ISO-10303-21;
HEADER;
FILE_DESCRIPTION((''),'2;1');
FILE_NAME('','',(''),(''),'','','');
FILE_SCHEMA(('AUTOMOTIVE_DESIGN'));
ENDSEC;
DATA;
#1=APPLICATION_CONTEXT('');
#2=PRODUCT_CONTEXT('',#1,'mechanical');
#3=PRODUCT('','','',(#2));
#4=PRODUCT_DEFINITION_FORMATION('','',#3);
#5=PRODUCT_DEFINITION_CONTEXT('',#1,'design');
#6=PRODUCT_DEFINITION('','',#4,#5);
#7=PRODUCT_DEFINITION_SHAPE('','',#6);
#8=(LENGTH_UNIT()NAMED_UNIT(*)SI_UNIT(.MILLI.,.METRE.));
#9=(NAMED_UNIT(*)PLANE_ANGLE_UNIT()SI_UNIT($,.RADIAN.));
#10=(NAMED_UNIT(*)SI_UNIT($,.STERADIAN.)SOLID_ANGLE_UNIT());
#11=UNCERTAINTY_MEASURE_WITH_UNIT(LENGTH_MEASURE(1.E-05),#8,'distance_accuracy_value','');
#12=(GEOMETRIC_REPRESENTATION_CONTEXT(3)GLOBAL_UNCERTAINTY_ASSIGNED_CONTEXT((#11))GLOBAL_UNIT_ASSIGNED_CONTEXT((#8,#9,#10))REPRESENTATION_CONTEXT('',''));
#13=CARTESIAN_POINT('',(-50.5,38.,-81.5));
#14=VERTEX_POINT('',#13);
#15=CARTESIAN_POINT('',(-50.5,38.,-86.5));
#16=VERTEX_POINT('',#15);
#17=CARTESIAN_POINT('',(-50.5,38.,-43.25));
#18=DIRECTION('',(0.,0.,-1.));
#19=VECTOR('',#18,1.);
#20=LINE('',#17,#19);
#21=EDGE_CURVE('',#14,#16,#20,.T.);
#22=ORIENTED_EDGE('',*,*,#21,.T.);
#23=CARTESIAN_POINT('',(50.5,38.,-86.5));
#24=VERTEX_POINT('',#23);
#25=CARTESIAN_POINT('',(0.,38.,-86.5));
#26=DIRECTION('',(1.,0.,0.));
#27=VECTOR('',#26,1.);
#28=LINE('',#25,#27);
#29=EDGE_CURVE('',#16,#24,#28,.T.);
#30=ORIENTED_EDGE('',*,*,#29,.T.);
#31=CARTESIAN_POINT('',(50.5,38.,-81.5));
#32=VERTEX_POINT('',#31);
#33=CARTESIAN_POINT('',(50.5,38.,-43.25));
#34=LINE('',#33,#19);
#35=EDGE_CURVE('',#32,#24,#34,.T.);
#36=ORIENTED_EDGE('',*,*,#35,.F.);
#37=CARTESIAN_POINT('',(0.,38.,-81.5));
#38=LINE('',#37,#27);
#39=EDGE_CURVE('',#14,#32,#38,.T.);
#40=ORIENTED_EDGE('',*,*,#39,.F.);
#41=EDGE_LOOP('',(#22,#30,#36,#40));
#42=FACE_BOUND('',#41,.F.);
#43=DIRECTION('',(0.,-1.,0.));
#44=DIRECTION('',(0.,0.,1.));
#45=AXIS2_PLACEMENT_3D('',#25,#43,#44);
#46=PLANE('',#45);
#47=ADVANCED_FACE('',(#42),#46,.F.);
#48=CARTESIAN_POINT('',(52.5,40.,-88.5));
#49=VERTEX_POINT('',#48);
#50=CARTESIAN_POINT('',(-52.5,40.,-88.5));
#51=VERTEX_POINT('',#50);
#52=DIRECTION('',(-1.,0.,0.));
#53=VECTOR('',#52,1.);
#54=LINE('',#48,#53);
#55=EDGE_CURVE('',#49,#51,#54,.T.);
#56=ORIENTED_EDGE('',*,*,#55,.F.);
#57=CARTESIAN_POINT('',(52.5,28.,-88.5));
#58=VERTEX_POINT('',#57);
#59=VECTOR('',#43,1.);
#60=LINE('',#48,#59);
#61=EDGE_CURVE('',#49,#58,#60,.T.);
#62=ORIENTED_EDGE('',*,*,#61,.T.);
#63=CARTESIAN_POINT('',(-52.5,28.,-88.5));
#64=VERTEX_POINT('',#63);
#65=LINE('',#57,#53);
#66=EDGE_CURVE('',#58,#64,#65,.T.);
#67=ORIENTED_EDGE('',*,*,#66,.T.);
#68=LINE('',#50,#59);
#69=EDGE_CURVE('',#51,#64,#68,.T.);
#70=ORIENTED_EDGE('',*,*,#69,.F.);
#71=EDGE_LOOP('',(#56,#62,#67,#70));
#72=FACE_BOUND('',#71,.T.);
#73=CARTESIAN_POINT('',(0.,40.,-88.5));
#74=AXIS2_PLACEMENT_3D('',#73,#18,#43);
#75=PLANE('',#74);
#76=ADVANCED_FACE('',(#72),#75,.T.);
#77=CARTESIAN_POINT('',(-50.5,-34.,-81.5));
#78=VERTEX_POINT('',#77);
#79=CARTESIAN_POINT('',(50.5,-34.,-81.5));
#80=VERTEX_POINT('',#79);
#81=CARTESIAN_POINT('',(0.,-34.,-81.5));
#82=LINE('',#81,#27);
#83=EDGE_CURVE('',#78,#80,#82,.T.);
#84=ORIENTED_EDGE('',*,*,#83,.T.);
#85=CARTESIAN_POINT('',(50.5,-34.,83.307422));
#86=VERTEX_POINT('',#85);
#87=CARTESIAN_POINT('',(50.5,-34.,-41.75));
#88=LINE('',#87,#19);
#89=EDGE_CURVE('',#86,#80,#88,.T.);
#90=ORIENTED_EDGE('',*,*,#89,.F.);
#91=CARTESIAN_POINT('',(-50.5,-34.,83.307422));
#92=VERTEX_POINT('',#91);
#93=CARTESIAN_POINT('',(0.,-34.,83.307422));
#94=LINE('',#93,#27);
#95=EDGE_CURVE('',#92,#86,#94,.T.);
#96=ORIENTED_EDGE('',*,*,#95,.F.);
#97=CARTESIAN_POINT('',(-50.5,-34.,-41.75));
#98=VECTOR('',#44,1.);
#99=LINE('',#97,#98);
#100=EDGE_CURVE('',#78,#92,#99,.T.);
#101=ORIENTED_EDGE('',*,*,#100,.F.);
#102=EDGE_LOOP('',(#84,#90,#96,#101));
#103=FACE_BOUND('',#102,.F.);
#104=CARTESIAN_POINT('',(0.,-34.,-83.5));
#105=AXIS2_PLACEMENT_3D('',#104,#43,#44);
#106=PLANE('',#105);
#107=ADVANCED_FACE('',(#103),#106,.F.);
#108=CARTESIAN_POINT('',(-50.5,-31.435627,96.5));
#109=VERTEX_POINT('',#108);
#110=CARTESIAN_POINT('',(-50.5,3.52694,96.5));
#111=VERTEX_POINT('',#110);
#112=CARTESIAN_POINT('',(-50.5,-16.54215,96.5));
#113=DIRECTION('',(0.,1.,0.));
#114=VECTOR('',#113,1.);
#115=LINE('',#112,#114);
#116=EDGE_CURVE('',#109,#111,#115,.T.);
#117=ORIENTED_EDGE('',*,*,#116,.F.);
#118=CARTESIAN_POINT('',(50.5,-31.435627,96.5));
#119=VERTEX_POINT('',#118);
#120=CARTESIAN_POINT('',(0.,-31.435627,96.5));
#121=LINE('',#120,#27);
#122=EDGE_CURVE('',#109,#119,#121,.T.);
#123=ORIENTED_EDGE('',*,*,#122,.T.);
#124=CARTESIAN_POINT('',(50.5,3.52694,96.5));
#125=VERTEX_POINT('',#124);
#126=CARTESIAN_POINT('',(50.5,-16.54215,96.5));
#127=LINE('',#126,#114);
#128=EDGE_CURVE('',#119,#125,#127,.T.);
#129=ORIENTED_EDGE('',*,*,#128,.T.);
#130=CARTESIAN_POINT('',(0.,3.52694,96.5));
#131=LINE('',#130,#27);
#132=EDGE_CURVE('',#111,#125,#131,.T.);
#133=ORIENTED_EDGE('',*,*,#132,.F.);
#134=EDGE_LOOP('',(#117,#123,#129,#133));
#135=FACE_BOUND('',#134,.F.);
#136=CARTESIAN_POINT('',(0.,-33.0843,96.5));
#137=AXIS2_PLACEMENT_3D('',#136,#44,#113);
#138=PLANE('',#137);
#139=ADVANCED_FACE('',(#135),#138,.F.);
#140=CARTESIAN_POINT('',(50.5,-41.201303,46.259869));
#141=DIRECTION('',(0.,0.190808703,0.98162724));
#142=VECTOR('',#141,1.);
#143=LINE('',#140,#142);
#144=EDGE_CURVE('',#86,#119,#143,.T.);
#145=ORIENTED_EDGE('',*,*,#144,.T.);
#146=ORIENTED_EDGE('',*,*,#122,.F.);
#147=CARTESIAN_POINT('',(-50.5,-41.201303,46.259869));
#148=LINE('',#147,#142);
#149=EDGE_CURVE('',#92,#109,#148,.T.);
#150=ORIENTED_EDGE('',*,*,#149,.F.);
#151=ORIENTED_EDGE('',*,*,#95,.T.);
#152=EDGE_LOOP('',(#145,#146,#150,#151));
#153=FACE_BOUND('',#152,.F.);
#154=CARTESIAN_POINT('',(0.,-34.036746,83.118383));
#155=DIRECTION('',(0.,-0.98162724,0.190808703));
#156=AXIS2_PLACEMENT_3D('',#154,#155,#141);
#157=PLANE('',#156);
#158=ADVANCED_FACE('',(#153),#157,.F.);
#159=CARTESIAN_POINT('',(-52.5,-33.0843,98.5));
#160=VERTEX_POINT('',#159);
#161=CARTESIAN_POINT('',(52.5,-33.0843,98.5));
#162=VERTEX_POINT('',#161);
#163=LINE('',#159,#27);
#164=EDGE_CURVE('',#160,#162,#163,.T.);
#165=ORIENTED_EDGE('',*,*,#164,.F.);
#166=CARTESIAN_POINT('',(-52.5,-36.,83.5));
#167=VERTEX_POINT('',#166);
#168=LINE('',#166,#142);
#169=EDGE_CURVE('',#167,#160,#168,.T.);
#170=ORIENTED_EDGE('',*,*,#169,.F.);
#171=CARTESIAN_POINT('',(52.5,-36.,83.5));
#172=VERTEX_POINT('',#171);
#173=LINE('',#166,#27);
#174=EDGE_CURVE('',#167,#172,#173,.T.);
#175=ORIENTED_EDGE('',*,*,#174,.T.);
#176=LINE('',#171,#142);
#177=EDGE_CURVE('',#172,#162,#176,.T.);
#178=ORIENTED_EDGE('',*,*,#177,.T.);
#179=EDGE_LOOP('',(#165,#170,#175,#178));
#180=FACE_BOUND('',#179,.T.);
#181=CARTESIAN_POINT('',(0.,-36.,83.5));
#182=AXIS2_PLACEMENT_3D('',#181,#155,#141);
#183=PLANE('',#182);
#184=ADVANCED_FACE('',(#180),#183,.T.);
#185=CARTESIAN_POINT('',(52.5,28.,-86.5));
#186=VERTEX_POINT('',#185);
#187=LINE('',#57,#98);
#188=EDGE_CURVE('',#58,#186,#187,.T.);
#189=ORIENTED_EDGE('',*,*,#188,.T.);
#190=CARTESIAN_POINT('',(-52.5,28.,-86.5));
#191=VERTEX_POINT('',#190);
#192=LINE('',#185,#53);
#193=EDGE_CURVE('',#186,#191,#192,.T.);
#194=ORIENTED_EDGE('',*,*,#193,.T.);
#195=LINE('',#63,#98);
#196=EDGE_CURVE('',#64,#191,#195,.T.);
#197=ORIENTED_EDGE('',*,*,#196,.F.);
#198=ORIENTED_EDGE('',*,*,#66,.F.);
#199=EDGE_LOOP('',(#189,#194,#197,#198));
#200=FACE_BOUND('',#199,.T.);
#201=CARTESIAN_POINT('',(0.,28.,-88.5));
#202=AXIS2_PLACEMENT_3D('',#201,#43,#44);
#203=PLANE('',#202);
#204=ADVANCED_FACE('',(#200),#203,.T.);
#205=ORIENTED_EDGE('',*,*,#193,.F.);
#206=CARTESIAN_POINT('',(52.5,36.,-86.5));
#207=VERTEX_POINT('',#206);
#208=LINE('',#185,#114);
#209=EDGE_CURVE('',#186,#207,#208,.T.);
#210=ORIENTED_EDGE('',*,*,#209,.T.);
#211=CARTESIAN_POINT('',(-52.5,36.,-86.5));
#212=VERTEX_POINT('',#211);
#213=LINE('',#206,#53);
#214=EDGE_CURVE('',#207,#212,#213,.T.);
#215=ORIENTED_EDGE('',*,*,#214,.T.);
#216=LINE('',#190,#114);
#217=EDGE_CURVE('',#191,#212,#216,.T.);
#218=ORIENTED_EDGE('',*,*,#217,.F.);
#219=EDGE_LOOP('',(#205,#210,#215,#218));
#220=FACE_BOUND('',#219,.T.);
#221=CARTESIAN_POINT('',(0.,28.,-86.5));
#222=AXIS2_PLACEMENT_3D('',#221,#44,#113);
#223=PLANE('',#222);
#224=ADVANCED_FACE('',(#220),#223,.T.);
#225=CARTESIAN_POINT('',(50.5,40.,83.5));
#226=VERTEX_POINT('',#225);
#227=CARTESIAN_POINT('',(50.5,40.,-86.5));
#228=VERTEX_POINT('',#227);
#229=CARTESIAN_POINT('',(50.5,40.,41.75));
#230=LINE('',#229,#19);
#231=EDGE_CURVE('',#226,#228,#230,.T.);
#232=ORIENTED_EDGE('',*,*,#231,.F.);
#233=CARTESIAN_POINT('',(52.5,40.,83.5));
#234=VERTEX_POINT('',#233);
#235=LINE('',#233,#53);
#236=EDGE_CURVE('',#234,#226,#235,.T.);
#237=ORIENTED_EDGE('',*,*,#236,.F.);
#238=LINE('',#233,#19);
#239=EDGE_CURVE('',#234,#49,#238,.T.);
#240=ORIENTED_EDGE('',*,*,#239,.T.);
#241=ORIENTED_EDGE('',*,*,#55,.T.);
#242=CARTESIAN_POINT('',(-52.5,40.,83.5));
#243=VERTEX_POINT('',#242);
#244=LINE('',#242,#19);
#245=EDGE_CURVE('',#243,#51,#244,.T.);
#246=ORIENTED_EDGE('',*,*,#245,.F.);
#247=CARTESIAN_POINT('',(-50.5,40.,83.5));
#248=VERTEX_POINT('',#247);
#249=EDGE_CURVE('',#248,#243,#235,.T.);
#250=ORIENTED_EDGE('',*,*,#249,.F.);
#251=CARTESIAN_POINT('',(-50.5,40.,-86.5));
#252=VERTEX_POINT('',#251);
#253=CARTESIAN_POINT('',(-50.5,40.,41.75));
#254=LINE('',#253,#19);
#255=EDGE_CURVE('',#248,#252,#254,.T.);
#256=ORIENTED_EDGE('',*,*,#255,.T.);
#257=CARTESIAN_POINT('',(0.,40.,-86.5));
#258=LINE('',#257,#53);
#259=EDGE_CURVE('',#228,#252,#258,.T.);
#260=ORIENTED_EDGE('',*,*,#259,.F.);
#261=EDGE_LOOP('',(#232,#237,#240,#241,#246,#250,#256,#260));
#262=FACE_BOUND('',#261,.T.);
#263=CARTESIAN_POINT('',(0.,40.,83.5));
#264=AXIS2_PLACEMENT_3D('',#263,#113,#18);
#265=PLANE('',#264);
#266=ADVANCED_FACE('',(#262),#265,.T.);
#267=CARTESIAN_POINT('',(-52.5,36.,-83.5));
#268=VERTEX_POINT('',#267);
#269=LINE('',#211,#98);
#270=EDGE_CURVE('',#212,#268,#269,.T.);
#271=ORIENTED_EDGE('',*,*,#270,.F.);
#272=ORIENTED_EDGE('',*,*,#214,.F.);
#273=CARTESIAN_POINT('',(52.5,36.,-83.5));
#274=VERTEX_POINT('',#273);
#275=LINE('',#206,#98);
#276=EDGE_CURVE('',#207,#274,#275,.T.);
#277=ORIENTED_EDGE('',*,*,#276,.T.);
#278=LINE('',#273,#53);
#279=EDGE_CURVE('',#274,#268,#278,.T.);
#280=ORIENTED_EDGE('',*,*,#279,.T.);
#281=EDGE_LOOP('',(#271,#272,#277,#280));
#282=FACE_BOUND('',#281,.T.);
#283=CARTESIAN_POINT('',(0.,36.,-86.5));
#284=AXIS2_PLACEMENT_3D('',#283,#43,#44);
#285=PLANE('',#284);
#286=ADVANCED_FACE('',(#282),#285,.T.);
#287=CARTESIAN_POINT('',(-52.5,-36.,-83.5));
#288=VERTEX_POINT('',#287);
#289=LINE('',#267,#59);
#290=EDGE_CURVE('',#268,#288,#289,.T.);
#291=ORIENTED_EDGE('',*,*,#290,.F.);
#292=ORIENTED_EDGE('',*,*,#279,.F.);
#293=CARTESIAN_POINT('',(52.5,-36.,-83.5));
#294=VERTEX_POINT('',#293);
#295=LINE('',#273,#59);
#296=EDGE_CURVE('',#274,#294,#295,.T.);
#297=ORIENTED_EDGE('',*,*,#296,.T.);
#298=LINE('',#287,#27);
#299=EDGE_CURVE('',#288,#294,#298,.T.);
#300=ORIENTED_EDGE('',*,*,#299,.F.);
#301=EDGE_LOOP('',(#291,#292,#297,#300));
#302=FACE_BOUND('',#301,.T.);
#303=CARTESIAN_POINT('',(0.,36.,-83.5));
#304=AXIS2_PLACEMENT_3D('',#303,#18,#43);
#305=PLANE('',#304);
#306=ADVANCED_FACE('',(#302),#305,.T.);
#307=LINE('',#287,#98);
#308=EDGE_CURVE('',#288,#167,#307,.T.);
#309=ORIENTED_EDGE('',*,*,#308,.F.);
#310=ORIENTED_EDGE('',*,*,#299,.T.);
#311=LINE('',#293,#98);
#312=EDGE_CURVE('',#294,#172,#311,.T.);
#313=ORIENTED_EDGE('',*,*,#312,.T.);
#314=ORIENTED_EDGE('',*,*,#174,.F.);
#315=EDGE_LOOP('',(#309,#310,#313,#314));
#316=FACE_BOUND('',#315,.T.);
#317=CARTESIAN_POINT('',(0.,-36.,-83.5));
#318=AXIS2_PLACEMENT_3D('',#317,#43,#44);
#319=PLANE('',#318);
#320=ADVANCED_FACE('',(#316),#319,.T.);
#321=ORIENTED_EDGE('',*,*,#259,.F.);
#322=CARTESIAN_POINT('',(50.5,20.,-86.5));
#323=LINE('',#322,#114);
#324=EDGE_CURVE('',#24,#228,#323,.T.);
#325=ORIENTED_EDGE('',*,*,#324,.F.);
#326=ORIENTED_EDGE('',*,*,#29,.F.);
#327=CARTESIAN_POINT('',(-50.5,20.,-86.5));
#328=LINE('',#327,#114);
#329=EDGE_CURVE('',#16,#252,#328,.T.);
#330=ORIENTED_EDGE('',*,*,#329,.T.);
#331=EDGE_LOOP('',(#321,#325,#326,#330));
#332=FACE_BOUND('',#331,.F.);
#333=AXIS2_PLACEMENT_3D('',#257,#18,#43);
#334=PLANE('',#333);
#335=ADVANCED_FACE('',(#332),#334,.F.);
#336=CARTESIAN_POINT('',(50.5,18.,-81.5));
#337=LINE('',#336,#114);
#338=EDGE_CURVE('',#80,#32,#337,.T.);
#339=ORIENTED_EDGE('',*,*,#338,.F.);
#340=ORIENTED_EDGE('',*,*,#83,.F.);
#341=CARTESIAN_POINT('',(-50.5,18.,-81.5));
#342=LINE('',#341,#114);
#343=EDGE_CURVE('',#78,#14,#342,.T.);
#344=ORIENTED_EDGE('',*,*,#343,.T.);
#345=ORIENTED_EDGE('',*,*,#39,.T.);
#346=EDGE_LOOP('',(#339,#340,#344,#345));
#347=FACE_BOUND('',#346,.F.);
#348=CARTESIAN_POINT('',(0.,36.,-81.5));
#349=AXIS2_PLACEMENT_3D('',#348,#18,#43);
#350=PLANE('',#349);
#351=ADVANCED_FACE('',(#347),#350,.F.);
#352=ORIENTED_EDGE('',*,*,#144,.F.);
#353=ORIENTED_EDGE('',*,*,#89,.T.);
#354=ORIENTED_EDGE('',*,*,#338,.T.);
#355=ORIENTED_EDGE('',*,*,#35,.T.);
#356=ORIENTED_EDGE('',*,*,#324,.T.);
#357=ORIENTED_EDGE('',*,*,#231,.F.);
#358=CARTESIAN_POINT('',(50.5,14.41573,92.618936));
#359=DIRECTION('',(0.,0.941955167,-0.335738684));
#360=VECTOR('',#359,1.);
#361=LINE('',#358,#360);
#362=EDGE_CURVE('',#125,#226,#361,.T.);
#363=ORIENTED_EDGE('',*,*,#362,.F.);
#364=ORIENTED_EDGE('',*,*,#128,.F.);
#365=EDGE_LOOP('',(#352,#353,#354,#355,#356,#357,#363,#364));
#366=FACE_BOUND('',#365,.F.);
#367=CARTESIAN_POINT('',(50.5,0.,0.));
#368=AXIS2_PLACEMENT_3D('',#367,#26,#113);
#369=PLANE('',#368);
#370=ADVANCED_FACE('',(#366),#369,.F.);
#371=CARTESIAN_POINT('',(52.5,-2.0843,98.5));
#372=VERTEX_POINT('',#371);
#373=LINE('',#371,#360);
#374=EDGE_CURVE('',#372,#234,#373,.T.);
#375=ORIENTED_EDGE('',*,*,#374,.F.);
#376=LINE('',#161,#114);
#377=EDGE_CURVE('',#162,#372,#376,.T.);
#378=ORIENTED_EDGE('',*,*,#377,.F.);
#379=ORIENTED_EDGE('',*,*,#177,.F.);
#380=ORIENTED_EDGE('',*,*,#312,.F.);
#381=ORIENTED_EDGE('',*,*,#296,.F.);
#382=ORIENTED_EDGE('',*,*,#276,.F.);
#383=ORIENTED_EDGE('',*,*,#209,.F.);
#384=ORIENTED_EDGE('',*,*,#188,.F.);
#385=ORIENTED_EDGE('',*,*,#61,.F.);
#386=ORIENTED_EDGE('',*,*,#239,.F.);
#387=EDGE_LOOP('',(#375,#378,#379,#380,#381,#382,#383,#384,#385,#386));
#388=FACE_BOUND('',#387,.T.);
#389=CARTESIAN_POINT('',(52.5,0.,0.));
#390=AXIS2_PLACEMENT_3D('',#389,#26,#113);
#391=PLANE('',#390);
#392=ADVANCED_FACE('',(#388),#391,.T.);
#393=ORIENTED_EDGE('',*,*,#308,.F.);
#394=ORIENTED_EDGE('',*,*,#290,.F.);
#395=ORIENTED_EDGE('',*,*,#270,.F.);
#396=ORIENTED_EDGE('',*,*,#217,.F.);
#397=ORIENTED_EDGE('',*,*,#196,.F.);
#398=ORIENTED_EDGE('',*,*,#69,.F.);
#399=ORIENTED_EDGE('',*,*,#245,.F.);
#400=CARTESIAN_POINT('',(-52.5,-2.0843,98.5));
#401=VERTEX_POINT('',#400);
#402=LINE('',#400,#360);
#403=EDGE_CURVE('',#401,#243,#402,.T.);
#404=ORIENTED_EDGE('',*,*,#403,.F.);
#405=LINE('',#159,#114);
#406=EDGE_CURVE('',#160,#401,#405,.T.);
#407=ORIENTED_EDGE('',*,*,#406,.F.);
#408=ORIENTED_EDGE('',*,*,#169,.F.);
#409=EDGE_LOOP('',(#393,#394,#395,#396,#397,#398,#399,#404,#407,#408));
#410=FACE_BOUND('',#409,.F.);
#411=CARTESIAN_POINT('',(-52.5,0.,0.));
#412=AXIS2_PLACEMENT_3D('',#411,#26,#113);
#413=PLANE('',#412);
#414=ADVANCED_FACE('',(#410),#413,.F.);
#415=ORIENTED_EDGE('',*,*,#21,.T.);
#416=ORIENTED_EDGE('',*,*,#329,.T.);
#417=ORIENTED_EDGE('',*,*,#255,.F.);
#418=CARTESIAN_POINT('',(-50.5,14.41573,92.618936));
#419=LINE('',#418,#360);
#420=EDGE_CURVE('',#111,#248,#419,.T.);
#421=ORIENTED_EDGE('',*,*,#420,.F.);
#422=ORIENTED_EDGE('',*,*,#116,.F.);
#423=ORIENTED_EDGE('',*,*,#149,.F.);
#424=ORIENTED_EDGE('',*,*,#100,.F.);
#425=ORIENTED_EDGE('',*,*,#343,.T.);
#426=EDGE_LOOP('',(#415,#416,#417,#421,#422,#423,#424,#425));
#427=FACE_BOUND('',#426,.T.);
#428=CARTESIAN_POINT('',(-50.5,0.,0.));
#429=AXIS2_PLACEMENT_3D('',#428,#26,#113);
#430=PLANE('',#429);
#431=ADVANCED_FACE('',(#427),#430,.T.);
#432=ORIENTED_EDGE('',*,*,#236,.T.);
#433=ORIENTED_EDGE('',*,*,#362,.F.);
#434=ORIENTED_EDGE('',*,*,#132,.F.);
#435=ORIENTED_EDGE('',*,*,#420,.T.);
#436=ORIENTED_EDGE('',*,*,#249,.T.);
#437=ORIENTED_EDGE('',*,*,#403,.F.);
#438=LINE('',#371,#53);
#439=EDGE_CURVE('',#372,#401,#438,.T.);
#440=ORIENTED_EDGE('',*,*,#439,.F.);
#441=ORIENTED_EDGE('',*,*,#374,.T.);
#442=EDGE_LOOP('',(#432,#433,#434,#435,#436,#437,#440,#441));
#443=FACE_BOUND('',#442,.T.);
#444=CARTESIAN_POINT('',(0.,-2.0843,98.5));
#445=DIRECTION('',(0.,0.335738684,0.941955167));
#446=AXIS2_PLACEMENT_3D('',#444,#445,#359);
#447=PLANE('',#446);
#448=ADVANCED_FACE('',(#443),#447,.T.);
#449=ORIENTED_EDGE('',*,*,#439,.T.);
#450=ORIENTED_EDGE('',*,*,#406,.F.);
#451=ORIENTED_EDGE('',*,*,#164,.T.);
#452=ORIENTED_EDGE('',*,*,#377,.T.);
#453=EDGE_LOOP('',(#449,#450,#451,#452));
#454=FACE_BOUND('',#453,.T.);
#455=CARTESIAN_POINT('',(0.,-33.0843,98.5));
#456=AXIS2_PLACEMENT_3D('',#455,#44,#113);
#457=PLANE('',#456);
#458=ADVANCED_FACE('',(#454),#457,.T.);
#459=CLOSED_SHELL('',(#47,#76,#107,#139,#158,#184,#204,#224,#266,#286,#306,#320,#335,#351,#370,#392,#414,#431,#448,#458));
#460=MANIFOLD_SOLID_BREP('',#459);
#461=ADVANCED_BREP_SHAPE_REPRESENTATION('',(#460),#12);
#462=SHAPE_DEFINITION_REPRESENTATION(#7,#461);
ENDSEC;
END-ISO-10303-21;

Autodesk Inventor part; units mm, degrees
ref_plane "YZ Plane" through (0, 0, 0) normal (1, 0, 0) x (0, 1, 0)
ref_plane "XZ Plane" through (0, 0, 0) normal (0, 1, 0) x (-1, 0, 0)
ref_plane "XY Plane" through (0, 0, 0) normal (0, 0, 1) x (1, 0, 0)
sketch "Sketch2" plane through (0, 0, 0) normal (1, 0, 0) x (0, 1, 0)
  line L0 (-33.0843, 98.5) -> (-2.0843, 98.5)
  line L1 (-2.0843, 98.5) -> (40, 83.5)
  line L2 (40, 83.5) -> (40, -88.5)
  line L3 (40, -88.5) -> (28, -88.5)
  line L4 (28, -88.5) -> (28, -86.5)
  line L5 (28, -86.5) -> (36, -86.5)
  line L6 (36, -86.5) -> (36, -83.5)
  line L7 (36, -83.5) -> (-36, -83.5)
  line L8 (-36, -83.5) -> (-36, 83.5)
  line L9 (-36, 83.5) -> (-33.0843, 98.5)
  point P0 (0, 0)
  point P1 (0, -83.5)
  point P2 (-36, 0)
  dimension "d0" = 15
  dimension "d1" = 11
  dimension "d2" = 31
  dimension "d4" = 2
  dimension "d5" = 3
  dimension "d6" = 4
  dimension "d7" = 12
  dimension "Dim_D" = 187
  dimension "Dim_H" = 76
  dimension "d11" = 19.617
  dimension "d12" = 15
extrude "Extrusion1" add sketch "Sketch2" along normal mid plane 105
shell "Shell1" thickness 2 removed faces 2 at (-17.5, 25.9719, 88.5) at (-17.5, 40, -31.1667)
properties part number "22-124"
